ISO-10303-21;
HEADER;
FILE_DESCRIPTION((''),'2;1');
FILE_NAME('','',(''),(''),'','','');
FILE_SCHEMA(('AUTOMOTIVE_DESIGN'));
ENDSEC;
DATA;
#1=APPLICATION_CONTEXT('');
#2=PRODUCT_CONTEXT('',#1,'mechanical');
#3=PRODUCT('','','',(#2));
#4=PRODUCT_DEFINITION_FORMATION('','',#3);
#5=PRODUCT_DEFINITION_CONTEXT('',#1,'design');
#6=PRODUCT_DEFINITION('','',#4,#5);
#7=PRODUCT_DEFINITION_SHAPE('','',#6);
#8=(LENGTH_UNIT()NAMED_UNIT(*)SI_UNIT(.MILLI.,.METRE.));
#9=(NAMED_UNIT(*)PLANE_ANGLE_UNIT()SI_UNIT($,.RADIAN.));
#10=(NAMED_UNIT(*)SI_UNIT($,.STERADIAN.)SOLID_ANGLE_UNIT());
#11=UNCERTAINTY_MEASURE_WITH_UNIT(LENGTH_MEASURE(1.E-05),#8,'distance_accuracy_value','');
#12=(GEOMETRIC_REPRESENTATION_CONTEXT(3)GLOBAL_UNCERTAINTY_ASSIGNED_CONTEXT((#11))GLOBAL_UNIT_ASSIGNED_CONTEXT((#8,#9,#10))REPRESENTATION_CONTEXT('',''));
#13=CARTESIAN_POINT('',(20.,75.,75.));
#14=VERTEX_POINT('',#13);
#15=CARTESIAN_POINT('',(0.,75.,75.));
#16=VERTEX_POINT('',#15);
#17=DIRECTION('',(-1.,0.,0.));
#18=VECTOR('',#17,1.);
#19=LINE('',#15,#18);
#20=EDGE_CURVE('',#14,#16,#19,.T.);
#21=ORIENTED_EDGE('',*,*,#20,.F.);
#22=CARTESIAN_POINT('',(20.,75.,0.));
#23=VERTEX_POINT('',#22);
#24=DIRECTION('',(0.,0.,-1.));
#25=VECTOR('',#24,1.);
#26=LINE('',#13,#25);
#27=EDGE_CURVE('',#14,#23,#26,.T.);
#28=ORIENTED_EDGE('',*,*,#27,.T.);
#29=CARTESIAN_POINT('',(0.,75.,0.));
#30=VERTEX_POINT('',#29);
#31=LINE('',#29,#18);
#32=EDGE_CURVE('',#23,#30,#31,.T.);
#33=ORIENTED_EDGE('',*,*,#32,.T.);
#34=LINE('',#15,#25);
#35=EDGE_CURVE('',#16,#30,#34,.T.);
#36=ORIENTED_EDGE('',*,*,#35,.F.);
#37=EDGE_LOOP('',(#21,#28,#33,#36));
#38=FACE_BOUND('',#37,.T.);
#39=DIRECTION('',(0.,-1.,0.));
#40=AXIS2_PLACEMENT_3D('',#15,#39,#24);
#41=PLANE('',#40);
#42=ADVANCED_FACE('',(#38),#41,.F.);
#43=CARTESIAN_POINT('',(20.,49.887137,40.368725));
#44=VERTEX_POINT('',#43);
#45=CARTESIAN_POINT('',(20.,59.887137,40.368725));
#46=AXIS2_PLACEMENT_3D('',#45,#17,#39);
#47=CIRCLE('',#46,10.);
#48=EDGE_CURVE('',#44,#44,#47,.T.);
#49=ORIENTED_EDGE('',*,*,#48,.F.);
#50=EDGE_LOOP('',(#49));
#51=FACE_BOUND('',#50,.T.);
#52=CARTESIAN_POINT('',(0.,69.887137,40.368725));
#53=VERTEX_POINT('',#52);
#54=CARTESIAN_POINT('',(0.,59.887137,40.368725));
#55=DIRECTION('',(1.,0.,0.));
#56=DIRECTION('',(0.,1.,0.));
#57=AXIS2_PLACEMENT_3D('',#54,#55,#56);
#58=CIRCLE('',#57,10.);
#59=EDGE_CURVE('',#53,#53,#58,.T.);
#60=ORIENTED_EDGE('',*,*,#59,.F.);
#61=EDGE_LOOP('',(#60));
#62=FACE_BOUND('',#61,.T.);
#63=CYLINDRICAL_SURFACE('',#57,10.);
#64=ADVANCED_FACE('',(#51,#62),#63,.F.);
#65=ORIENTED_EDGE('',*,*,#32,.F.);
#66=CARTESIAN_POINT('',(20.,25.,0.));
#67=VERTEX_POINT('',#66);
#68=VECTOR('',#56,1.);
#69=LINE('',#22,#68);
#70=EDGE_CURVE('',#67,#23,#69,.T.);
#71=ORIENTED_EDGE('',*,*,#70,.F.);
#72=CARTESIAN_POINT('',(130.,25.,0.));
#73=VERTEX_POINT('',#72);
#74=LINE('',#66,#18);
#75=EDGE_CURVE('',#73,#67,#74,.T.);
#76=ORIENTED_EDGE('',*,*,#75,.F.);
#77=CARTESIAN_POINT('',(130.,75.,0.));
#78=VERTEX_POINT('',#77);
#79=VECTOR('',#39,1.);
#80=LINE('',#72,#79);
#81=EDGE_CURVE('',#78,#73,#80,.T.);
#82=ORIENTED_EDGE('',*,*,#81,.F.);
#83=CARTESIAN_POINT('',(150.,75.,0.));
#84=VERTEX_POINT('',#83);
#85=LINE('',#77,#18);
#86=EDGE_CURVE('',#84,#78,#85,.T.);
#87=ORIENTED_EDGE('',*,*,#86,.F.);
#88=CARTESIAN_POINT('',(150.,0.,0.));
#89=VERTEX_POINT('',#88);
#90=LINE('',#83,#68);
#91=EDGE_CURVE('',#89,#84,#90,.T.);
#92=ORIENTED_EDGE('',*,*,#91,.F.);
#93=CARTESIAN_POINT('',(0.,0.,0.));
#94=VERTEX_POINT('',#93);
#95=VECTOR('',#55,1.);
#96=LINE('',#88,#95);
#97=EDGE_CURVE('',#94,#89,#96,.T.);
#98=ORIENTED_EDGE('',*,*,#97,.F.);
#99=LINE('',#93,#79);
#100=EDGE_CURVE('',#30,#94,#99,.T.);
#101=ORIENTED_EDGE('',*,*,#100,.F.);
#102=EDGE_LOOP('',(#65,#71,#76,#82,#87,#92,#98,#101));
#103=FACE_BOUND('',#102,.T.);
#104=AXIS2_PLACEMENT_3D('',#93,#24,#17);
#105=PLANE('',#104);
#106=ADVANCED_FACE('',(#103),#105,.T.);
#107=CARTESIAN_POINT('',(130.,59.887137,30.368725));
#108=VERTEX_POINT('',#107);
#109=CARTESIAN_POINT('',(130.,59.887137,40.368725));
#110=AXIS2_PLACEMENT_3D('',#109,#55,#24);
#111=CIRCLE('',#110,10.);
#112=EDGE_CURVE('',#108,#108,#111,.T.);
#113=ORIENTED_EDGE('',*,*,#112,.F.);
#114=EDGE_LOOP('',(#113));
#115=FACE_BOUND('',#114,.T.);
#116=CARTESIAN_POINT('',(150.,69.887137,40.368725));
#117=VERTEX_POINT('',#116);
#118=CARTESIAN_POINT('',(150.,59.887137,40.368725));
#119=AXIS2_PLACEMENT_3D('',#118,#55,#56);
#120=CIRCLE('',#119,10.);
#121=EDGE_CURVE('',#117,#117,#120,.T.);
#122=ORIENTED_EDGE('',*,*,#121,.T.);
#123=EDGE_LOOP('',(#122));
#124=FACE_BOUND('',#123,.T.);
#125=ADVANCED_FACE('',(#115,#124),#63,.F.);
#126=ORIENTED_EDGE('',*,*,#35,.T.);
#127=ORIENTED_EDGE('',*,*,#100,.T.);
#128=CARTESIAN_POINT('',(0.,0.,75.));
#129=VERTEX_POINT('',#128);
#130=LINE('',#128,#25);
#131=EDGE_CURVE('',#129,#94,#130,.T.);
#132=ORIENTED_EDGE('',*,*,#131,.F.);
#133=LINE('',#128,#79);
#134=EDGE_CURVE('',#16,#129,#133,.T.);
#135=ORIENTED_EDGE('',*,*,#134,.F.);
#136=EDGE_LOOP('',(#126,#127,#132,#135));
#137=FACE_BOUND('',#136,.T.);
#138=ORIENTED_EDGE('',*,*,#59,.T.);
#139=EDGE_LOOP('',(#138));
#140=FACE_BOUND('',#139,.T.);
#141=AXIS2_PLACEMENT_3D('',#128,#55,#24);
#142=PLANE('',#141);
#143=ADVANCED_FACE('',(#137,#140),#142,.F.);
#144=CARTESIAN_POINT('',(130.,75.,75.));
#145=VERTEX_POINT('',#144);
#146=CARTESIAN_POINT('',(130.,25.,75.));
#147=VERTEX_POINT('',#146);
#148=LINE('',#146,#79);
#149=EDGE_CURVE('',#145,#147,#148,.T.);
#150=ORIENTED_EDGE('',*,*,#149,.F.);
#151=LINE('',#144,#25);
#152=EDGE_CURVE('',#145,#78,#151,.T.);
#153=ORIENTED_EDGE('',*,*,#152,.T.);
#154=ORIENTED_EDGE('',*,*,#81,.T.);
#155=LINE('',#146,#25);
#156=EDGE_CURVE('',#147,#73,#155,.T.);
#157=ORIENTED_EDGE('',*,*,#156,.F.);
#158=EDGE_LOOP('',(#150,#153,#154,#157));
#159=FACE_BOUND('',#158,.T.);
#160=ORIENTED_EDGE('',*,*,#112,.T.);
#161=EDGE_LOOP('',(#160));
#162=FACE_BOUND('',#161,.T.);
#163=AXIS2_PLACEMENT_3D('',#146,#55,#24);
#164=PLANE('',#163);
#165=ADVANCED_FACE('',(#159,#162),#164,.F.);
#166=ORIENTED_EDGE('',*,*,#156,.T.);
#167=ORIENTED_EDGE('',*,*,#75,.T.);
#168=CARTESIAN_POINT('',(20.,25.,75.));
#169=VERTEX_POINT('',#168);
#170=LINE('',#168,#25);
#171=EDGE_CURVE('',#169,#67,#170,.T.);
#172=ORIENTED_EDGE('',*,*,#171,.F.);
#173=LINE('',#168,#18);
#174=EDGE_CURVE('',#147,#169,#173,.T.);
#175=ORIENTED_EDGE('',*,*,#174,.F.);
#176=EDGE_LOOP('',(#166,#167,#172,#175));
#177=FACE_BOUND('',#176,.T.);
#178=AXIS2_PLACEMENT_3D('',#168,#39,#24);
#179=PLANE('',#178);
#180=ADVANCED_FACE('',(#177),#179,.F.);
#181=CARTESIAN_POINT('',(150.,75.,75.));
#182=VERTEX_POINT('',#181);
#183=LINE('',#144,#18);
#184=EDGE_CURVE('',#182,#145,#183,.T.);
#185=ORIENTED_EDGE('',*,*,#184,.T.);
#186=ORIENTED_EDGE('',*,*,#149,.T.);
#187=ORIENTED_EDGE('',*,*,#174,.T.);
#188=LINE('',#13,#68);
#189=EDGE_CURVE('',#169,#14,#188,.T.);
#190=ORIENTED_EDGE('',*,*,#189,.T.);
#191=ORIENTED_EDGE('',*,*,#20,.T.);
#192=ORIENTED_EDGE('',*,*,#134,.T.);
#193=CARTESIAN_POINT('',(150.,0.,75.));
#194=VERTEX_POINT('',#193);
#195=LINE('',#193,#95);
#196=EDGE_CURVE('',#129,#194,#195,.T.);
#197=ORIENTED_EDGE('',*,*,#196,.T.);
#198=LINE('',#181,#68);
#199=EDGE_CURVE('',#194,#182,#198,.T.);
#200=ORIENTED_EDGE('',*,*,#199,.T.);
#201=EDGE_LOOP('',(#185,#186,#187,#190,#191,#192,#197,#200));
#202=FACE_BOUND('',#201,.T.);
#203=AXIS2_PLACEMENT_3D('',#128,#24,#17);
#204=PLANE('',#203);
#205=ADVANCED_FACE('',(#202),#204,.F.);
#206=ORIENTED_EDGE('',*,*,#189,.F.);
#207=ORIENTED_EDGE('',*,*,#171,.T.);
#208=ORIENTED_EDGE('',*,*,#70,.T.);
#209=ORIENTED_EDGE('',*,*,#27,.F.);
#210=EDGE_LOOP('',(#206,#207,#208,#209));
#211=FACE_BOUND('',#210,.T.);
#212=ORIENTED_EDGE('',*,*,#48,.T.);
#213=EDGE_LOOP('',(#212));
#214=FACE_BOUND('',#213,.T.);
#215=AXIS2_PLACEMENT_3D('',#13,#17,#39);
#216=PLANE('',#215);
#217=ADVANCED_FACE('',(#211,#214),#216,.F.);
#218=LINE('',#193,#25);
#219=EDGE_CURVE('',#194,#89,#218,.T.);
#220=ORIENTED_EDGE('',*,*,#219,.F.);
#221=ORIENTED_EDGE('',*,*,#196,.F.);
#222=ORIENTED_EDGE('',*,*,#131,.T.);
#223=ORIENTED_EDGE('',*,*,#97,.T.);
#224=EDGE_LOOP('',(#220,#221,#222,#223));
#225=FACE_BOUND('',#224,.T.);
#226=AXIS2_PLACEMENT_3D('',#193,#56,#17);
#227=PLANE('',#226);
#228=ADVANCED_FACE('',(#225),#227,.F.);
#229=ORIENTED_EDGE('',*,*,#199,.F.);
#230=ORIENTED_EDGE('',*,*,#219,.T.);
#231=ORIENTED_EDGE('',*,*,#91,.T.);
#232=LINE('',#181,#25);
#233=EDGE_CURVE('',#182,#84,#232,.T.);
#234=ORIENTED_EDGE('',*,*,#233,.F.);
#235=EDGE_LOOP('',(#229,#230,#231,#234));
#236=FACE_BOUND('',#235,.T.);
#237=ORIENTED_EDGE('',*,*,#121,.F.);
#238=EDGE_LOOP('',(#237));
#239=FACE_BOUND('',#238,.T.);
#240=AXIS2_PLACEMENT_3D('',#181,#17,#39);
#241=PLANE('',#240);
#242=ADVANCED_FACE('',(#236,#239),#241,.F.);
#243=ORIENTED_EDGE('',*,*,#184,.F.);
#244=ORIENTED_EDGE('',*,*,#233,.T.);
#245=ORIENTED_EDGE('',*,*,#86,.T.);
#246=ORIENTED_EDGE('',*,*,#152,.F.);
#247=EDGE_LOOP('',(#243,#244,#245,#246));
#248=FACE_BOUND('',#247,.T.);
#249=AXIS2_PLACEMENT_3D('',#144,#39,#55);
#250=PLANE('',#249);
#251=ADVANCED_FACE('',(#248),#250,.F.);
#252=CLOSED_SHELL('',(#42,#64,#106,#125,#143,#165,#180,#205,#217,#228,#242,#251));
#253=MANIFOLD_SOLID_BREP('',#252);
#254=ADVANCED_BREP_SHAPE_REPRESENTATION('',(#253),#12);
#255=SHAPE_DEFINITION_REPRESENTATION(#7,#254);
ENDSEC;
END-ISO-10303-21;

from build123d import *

# Parameters (mm, degrees)
BOSS_EXTRUDE1_DEPTH = 75
SKETCH2_R           = 10
CUT_EXTRUDE1_DEPTH  = 151


with BuildPart() as part:
    # Sketch1 → Boss-Extrude1 (new body)
    with BuildSketch(Plane.XY):
        Polygon((0, 0), (0, 75), (20, 75), (20, 25), (130, 25), (130, 75), (150, 75), (150, 0), align=None)
    extrude(amount=BOSS_EXTRUDE1_DEPTH)

    # Sketch2 → Cut-Extrude1 (cut, through all)
    with BuildSketch(Plane(origin=(150, 0, 0), x_dir=(0, 0, -1), z_dir=(1, 0, 0))):
        with Locations((-40.368725444, 59.887136839)):
            Circle(SKETCH2_R)
    extrude(amount=-CUT_EXTRUDE1_DEPTH, mode=Mode.SUBTRACT)


solid = part.part
